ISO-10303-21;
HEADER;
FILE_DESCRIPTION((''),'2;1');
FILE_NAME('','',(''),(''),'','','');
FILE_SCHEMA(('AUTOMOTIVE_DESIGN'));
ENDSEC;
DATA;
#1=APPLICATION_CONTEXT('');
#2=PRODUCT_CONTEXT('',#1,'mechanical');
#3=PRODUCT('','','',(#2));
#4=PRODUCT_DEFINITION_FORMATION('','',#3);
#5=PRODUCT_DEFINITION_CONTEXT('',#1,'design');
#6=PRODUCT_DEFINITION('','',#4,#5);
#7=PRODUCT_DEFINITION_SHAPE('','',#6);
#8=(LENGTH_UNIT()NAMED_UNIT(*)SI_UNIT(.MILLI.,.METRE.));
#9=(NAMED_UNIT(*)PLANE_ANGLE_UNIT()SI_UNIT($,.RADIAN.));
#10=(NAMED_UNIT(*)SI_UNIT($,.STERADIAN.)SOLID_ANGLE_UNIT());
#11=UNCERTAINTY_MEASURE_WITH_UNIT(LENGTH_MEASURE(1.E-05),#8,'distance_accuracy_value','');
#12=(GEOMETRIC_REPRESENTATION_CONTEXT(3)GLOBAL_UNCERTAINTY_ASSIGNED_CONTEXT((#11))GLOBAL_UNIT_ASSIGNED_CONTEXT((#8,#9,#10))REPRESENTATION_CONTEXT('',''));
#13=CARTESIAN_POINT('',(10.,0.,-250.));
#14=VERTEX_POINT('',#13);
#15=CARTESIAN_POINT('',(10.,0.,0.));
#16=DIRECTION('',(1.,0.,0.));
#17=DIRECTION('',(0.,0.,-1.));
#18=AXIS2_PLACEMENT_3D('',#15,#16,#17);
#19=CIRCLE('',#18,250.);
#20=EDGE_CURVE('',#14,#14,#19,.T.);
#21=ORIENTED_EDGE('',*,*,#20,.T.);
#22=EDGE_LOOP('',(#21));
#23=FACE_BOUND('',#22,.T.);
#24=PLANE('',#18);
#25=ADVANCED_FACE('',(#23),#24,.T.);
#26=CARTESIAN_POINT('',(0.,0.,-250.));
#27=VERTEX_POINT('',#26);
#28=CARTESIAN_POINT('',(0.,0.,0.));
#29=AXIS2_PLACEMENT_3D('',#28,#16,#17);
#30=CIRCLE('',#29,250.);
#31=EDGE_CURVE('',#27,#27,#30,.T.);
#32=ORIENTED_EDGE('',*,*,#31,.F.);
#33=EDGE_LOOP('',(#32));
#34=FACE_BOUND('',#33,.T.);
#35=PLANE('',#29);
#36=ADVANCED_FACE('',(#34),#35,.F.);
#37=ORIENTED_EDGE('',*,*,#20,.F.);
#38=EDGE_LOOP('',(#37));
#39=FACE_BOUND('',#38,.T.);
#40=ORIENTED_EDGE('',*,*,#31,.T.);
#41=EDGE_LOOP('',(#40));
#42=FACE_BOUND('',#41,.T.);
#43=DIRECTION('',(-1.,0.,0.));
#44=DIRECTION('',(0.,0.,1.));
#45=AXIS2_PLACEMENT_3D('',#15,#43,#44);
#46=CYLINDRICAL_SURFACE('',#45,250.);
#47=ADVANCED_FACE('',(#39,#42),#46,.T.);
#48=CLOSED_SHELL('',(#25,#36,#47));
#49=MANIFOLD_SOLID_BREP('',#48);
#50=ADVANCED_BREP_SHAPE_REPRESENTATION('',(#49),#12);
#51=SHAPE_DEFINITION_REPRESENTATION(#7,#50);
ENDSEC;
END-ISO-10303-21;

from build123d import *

# Parameters (mm, degrees)
SKETCH1_R           = 250
BOSS_EXTRUDE1_DEPTH = 10


with BuildPart() as part:
    # Sketch1 → Boss-Extrude1 (new body)
    with BuildSketch(Plane(origin=(0, 0, 0), x_dir=(0, 0, -1), z_dir=(1, 0, 0))):
        Circle(SKETCH1_R)
    extrude(amount=BOSS_EXTRUDE1_DEPTH)


solid = part.part
